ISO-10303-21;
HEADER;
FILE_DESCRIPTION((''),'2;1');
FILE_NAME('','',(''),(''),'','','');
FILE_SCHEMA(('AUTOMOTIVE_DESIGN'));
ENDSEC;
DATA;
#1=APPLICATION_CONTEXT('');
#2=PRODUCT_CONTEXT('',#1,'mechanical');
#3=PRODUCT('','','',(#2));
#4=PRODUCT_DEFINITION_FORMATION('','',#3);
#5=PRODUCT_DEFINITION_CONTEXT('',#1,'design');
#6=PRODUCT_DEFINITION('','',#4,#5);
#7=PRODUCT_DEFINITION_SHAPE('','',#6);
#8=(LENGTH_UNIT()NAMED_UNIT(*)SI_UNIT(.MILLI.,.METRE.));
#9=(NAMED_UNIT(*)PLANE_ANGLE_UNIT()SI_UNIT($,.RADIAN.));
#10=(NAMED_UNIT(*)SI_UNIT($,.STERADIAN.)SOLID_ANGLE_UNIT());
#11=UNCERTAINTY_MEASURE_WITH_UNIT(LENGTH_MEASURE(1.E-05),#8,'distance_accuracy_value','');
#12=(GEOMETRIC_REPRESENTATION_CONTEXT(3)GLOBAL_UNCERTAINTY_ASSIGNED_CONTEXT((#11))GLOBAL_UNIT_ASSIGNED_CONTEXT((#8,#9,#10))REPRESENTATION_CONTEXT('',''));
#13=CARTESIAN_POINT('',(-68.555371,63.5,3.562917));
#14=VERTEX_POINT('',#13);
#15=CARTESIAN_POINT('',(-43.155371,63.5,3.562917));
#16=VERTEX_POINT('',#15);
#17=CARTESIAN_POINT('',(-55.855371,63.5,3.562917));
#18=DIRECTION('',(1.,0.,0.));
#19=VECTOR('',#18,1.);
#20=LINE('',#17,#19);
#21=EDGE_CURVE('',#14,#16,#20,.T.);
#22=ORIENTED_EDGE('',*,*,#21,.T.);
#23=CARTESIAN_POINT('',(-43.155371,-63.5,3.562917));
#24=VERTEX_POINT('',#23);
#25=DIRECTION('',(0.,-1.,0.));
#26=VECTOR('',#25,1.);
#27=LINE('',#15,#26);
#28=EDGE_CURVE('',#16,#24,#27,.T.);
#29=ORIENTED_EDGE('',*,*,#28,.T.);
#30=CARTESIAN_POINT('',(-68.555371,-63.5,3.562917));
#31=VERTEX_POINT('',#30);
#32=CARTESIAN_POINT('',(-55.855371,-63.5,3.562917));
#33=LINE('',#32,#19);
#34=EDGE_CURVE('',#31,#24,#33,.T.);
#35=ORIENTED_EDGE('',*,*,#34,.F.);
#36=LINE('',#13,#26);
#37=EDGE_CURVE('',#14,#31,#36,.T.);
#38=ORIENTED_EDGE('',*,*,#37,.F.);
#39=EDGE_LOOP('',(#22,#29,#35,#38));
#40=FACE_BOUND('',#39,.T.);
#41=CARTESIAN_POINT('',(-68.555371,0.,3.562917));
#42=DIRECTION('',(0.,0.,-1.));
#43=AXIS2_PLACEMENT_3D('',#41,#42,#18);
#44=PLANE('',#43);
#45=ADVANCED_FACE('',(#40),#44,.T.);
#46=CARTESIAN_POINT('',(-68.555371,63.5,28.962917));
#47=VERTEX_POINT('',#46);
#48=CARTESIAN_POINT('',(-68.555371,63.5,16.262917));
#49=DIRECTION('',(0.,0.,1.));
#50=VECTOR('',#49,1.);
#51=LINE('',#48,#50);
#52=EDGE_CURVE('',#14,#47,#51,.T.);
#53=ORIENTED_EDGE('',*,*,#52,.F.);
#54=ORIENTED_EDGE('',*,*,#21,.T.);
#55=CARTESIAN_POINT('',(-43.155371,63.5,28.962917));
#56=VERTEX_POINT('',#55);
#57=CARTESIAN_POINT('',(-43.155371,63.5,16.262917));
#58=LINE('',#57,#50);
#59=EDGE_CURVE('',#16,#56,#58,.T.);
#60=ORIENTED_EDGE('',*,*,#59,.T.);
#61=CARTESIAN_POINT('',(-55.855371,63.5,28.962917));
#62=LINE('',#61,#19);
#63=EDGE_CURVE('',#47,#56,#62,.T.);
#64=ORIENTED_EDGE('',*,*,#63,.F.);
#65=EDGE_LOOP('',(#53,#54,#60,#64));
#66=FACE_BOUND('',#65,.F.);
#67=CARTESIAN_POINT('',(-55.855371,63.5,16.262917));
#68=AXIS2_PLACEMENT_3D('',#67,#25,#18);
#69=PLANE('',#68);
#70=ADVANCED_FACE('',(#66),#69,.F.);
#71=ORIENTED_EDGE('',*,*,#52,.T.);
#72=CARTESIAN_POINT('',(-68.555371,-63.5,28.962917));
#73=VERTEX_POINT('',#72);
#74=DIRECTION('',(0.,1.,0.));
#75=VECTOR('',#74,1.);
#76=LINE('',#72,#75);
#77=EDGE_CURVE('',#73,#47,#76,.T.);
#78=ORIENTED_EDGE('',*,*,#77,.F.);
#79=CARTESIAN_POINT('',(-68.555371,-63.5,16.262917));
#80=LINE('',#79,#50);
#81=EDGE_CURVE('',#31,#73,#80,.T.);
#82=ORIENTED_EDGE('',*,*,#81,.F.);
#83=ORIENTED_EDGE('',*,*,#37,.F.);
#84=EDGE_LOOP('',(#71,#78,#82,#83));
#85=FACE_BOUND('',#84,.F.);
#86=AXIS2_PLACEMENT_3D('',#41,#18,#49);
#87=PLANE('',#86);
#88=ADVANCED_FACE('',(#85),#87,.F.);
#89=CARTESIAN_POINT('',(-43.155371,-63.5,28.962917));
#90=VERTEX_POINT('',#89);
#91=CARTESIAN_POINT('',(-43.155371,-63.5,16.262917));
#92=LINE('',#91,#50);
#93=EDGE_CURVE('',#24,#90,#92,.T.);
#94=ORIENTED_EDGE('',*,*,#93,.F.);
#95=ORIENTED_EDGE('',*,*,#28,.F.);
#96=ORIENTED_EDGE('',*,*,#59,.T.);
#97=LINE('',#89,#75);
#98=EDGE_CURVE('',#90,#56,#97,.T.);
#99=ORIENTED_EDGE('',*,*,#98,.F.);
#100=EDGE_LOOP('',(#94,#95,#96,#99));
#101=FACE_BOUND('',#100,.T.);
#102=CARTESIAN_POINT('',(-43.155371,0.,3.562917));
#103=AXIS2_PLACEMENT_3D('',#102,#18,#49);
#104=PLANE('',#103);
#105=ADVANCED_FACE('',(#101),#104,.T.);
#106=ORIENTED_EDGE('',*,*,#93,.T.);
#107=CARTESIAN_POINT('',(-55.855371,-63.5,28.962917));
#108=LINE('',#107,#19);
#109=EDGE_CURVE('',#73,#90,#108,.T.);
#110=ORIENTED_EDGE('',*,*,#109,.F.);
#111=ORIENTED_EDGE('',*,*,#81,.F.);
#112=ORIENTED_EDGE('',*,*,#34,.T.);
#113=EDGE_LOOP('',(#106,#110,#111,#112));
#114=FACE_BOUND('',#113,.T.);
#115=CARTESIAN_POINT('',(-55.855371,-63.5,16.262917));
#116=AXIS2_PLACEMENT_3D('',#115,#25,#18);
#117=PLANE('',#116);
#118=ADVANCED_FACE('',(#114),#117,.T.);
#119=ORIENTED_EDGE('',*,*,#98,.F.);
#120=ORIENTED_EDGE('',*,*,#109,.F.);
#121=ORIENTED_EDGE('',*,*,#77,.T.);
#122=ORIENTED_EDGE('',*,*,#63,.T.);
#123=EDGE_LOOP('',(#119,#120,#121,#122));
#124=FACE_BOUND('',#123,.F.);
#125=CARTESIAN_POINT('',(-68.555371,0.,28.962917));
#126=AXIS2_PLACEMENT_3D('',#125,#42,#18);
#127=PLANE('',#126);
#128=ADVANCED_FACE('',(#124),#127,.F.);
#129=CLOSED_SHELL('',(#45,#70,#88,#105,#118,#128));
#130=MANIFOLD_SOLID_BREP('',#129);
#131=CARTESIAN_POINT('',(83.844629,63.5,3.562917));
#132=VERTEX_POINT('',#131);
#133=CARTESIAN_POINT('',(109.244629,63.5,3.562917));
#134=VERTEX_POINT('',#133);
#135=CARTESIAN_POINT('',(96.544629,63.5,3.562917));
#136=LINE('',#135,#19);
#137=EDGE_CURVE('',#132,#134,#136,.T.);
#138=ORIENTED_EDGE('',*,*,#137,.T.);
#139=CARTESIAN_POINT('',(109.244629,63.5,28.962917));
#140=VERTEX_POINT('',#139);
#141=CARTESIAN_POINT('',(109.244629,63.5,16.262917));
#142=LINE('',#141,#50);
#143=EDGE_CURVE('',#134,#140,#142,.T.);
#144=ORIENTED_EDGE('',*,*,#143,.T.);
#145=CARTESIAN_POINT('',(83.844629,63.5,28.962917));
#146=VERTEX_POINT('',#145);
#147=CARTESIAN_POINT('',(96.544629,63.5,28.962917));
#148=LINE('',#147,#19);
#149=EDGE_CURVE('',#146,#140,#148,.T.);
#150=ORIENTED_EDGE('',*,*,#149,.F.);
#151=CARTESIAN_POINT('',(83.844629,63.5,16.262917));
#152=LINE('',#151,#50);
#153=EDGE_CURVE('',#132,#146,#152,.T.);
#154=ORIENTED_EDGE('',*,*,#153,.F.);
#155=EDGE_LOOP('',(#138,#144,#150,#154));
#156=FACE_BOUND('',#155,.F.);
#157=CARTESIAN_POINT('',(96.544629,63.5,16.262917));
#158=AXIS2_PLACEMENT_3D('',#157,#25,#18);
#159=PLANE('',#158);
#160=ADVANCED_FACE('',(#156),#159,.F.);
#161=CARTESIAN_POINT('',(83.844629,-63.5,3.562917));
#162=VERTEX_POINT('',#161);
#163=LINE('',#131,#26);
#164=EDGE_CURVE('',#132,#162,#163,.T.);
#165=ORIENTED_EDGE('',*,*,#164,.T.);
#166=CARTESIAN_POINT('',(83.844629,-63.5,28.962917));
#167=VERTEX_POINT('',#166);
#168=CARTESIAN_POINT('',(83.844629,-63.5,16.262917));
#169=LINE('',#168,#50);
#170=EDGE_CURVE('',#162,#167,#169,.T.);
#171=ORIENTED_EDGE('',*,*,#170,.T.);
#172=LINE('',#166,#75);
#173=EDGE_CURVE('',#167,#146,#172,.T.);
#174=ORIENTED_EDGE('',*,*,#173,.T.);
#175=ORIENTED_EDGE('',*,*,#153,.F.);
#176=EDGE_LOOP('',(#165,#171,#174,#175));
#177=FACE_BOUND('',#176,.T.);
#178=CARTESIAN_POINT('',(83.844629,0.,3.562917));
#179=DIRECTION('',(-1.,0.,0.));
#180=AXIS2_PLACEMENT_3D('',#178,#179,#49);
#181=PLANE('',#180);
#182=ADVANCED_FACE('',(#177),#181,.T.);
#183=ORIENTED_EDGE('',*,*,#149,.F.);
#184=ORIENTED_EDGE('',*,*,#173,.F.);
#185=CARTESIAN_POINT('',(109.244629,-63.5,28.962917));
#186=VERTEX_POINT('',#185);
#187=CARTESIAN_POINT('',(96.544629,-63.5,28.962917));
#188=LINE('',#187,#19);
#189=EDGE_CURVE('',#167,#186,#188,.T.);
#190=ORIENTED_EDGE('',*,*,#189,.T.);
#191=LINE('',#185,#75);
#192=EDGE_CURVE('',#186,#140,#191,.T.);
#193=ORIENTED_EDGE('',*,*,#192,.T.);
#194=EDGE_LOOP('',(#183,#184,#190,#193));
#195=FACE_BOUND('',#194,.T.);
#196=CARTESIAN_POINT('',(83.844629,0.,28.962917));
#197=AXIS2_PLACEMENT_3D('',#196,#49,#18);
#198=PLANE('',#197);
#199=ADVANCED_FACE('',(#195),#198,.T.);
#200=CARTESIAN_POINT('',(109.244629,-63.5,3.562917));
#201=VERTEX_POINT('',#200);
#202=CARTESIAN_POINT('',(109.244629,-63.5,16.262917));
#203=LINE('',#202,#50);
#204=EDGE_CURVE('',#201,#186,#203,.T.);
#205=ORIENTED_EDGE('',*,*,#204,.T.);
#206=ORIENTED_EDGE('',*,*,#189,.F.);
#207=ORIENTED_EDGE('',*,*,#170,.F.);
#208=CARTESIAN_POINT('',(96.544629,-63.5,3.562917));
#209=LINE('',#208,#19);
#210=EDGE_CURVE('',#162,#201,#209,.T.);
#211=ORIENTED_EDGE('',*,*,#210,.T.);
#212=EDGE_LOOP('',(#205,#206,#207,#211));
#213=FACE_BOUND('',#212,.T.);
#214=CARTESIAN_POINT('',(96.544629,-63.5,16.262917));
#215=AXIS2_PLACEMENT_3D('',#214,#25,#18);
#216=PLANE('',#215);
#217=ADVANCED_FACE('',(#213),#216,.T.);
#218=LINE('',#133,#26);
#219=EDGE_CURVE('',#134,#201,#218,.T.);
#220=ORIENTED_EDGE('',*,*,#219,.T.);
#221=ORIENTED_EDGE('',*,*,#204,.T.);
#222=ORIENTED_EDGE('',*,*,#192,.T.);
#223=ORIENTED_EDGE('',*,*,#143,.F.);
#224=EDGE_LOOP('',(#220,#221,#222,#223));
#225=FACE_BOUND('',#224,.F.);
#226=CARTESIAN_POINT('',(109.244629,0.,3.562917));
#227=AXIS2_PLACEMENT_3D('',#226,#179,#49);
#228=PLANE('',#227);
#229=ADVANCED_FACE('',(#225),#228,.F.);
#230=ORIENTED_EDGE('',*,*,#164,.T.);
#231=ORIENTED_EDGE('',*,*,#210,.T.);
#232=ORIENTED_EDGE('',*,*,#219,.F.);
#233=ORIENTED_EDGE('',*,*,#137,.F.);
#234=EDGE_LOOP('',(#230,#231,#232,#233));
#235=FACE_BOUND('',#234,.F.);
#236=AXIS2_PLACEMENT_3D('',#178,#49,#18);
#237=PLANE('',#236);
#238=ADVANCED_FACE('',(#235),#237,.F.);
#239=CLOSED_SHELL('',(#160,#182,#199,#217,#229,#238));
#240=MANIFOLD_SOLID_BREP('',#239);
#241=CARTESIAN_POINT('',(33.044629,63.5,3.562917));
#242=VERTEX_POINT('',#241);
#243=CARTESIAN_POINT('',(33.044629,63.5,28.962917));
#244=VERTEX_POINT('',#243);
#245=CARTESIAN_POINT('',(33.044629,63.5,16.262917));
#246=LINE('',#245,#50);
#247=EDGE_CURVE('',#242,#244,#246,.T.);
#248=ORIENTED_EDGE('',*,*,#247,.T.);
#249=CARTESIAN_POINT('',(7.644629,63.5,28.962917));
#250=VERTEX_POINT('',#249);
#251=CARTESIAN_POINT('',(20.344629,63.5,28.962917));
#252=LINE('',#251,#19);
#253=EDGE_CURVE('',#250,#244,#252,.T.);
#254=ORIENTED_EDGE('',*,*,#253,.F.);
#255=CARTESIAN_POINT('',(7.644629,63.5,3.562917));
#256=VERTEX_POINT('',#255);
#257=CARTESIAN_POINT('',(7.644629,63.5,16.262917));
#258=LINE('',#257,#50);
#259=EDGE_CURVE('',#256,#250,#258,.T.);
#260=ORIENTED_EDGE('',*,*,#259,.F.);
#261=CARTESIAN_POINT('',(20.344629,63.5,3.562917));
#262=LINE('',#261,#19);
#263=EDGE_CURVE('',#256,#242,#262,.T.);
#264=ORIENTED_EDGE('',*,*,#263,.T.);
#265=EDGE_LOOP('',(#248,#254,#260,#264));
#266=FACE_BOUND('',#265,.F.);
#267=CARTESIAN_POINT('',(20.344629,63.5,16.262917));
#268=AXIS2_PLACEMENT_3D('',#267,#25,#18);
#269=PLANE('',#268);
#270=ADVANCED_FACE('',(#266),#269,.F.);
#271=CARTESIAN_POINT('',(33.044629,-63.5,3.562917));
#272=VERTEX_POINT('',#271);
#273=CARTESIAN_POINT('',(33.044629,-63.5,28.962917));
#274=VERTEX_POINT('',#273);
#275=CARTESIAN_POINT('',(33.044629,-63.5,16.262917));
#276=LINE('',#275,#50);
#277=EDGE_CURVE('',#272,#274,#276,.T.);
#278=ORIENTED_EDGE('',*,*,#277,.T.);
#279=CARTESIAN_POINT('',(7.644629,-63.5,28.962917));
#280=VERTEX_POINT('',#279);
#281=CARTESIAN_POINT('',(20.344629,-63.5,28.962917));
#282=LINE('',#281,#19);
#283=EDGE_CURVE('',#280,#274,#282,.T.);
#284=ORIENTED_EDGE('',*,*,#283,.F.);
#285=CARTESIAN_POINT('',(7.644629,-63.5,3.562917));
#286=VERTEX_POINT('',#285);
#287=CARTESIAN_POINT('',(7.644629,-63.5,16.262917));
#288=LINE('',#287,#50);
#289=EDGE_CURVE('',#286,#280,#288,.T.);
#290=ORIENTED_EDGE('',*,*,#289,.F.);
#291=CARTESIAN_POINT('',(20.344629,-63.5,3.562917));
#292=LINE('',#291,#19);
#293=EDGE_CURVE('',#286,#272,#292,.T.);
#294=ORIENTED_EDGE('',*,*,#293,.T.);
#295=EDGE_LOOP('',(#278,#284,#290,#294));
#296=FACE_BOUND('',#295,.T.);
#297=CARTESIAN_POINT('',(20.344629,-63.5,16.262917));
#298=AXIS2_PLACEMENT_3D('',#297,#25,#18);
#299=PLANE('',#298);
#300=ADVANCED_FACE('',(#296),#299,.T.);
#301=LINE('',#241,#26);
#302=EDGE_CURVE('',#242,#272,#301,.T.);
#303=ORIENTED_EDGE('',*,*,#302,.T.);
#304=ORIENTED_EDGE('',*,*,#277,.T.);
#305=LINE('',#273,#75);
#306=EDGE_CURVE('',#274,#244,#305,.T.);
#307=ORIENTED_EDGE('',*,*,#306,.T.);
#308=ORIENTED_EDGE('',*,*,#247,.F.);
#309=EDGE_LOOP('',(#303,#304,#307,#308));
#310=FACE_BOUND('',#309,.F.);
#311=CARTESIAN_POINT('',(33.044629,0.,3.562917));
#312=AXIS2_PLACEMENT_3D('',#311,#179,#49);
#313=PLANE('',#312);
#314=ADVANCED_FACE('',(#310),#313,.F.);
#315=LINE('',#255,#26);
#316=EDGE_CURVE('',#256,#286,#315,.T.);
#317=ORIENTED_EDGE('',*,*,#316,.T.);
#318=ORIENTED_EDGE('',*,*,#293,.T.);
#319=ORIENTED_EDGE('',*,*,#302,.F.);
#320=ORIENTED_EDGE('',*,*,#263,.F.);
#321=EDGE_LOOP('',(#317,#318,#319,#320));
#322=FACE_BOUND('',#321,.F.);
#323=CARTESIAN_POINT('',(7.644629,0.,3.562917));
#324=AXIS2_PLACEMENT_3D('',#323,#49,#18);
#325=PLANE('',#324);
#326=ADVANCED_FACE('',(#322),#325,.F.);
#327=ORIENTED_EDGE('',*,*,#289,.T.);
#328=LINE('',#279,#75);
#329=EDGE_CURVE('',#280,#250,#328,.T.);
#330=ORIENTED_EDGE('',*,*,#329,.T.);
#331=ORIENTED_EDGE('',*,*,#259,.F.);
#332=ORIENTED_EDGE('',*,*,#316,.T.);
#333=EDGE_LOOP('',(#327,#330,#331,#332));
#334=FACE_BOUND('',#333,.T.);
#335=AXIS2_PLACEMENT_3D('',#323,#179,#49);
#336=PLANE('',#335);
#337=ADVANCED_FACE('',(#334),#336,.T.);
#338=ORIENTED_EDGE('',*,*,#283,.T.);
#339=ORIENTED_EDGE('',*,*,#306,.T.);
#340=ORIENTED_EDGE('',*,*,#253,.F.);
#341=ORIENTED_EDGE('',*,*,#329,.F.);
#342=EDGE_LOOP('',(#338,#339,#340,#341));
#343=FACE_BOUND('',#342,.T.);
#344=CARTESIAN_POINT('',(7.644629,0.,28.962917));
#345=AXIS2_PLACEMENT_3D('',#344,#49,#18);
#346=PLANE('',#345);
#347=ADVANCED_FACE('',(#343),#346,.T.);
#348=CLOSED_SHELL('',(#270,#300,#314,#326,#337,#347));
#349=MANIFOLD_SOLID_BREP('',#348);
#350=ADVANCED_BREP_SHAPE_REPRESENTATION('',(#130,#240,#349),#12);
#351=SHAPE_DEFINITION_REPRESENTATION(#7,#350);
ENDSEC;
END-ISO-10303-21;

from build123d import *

# Parameters (mm, degrees)
F0_W     = 25.4
F0_H     = 25.4
F1_DEPTH = 63.5


with BuildPart() as f1:
    # F0 (on Front) → F1 (new body, symmetric)
    with BuildSketch(Plane.XZ):
        with Locations((96.544629, 16.262917)):
            Rectangle(F0_W, F0_H)
        with Locations((20.344629, 16.262917)):
            Rectangle(F0_W, F0_H)
        with Locations((-55.855371, 16.262917)):
            Rectangle(F0_W, F0_H)
    extrude(amount=F1_DEPTH, both=True)


solid = f1.part
